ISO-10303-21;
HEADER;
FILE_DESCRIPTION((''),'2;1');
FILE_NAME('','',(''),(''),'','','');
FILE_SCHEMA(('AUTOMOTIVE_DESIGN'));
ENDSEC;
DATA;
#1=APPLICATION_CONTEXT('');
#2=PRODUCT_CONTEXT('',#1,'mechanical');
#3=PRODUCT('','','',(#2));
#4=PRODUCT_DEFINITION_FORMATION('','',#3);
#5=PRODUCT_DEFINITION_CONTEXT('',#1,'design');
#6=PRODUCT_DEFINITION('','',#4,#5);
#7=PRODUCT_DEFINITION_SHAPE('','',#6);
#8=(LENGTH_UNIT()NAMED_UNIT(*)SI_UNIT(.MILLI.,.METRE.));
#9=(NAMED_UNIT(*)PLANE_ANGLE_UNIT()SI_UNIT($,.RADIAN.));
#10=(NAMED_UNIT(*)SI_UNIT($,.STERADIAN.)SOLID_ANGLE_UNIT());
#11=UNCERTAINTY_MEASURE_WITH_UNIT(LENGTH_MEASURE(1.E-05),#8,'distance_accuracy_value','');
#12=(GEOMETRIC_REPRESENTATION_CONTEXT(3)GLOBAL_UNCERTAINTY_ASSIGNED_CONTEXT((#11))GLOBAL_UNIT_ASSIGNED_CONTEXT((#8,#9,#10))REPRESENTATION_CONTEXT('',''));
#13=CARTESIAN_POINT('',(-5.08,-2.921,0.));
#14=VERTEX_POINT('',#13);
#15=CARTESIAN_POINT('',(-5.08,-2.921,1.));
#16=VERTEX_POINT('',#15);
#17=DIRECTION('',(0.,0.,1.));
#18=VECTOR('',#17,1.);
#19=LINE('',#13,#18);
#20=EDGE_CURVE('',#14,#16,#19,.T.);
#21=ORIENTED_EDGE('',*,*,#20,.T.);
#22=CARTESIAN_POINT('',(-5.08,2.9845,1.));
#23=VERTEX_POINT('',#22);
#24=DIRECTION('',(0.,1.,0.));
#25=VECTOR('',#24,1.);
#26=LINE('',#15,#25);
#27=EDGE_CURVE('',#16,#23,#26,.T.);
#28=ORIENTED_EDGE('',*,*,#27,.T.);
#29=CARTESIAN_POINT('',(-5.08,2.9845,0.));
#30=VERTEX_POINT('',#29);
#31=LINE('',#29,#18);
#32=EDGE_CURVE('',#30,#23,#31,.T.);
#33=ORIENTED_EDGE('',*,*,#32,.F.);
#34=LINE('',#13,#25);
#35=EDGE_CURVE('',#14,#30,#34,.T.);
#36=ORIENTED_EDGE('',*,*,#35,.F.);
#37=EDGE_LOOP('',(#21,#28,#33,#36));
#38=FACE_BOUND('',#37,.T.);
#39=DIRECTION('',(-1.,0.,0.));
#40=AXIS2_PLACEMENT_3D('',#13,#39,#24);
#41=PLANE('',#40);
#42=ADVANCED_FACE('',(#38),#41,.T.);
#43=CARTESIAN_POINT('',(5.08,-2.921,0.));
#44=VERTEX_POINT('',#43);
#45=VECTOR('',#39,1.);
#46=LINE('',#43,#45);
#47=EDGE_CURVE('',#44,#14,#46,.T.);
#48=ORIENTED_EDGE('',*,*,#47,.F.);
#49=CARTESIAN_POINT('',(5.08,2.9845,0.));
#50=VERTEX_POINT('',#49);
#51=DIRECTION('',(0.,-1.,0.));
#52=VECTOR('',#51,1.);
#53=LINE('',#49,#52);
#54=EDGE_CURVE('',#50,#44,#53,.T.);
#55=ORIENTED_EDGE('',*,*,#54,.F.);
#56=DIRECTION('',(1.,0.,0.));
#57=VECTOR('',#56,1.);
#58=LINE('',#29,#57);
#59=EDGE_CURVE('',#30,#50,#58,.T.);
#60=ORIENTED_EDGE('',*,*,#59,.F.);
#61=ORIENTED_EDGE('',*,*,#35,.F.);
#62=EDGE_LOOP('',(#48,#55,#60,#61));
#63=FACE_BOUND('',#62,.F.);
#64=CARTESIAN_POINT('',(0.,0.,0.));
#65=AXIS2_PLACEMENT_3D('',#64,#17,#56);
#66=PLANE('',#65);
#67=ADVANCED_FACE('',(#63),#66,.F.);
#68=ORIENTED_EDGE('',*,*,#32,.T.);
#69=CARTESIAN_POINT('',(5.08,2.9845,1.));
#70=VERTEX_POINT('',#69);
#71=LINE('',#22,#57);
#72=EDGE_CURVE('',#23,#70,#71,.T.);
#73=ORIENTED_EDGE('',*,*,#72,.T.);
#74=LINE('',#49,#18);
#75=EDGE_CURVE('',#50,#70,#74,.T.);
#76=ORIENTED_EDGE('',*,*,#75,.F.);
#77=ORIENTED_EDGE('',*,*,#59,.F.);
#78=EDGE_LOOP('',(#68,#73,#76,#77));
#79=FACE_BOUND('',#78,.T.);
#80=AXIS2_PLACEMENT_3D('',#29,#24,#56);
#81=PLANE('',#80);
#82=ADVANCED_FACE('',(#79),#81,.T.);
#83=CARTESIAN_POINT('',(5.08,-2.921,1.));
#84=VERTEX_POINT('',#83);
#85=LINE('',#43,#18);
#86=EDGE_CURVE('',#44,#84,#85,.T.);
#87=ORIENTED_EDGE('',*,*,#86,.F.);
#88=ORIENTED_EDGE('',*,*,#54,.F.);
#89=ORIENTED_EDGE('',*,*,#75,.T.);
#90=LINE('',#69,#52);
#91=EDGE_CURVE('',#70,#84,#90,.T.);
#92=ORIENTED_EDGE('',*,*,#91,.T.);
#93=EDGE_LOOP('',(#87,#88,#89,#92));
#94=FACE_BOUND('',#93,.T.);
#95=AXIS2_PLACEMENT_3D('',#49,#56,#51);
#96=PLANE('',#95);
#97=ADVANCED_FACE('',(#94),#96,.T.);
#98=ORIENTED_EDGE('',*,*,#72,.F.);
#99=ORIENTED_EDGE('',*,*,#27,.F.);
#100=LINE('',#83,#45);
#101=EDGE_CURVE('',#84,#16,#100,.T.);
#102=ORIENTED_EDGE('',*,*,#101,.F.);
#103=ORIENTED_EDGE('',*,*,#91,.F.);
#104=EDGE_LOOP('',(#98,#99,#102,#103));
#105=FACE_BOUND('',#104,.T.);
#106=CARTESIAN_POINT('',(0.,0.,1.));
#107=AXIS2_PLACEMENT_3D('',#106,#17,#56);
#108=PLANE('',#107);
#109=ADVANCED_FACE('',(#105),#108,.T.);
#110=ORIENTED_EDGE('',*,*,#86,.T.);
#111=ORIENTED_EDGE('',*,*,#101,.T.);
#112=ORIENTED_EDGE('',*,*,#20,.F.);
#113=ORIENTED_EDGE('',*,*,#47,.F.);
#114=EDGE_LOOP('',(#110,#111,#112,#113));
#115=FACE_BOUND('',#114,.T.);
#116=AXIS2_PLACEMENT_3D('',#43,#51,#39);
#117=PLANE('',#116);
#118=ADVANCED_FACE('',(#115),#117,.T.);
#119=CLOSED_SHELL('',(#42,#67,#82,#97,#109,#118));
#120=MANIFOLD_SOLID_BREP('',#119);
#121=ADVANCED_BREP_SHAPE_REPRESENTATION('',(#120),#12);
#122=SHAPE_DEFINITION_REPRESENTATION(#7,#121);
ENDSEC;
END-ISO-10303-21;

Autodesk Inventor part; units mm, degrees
ref_plane "YZ Plane" through (0, 0, 0) normal (1, 0, 0) x (0, 1, 0)
ref_plane "XZ Plane" through (0, 0, 0) normal (0, 1, 0) x (-1, 0, 0)
ref_plane "XY Plane" through (0, 0, 0) normal (0, 0, 1) x (1, 0, 0)
sketch "6410-04, I2C_DATA_B2_B1_33" plane through (0, 0, 0) normal (0, 0, 1) x (1, 0, 0)
  line L0 (-5.08, 2.9845) -> (5.08, 2.9845)
  line L1 (5.08, 2.9845) -> (5.08, -2.921)
  line L2 (5.08, -2.921) -> (-5.08, -2.921)
  line L3 (-5.08, -2.921) -> (-5.08, 2.9845)
extrude "Extrusion1" add sketch "6410-04, I2C_DATA_B2_B1_33" along normal blind 1
properties part number "I2C_DATA_B2_B1"
